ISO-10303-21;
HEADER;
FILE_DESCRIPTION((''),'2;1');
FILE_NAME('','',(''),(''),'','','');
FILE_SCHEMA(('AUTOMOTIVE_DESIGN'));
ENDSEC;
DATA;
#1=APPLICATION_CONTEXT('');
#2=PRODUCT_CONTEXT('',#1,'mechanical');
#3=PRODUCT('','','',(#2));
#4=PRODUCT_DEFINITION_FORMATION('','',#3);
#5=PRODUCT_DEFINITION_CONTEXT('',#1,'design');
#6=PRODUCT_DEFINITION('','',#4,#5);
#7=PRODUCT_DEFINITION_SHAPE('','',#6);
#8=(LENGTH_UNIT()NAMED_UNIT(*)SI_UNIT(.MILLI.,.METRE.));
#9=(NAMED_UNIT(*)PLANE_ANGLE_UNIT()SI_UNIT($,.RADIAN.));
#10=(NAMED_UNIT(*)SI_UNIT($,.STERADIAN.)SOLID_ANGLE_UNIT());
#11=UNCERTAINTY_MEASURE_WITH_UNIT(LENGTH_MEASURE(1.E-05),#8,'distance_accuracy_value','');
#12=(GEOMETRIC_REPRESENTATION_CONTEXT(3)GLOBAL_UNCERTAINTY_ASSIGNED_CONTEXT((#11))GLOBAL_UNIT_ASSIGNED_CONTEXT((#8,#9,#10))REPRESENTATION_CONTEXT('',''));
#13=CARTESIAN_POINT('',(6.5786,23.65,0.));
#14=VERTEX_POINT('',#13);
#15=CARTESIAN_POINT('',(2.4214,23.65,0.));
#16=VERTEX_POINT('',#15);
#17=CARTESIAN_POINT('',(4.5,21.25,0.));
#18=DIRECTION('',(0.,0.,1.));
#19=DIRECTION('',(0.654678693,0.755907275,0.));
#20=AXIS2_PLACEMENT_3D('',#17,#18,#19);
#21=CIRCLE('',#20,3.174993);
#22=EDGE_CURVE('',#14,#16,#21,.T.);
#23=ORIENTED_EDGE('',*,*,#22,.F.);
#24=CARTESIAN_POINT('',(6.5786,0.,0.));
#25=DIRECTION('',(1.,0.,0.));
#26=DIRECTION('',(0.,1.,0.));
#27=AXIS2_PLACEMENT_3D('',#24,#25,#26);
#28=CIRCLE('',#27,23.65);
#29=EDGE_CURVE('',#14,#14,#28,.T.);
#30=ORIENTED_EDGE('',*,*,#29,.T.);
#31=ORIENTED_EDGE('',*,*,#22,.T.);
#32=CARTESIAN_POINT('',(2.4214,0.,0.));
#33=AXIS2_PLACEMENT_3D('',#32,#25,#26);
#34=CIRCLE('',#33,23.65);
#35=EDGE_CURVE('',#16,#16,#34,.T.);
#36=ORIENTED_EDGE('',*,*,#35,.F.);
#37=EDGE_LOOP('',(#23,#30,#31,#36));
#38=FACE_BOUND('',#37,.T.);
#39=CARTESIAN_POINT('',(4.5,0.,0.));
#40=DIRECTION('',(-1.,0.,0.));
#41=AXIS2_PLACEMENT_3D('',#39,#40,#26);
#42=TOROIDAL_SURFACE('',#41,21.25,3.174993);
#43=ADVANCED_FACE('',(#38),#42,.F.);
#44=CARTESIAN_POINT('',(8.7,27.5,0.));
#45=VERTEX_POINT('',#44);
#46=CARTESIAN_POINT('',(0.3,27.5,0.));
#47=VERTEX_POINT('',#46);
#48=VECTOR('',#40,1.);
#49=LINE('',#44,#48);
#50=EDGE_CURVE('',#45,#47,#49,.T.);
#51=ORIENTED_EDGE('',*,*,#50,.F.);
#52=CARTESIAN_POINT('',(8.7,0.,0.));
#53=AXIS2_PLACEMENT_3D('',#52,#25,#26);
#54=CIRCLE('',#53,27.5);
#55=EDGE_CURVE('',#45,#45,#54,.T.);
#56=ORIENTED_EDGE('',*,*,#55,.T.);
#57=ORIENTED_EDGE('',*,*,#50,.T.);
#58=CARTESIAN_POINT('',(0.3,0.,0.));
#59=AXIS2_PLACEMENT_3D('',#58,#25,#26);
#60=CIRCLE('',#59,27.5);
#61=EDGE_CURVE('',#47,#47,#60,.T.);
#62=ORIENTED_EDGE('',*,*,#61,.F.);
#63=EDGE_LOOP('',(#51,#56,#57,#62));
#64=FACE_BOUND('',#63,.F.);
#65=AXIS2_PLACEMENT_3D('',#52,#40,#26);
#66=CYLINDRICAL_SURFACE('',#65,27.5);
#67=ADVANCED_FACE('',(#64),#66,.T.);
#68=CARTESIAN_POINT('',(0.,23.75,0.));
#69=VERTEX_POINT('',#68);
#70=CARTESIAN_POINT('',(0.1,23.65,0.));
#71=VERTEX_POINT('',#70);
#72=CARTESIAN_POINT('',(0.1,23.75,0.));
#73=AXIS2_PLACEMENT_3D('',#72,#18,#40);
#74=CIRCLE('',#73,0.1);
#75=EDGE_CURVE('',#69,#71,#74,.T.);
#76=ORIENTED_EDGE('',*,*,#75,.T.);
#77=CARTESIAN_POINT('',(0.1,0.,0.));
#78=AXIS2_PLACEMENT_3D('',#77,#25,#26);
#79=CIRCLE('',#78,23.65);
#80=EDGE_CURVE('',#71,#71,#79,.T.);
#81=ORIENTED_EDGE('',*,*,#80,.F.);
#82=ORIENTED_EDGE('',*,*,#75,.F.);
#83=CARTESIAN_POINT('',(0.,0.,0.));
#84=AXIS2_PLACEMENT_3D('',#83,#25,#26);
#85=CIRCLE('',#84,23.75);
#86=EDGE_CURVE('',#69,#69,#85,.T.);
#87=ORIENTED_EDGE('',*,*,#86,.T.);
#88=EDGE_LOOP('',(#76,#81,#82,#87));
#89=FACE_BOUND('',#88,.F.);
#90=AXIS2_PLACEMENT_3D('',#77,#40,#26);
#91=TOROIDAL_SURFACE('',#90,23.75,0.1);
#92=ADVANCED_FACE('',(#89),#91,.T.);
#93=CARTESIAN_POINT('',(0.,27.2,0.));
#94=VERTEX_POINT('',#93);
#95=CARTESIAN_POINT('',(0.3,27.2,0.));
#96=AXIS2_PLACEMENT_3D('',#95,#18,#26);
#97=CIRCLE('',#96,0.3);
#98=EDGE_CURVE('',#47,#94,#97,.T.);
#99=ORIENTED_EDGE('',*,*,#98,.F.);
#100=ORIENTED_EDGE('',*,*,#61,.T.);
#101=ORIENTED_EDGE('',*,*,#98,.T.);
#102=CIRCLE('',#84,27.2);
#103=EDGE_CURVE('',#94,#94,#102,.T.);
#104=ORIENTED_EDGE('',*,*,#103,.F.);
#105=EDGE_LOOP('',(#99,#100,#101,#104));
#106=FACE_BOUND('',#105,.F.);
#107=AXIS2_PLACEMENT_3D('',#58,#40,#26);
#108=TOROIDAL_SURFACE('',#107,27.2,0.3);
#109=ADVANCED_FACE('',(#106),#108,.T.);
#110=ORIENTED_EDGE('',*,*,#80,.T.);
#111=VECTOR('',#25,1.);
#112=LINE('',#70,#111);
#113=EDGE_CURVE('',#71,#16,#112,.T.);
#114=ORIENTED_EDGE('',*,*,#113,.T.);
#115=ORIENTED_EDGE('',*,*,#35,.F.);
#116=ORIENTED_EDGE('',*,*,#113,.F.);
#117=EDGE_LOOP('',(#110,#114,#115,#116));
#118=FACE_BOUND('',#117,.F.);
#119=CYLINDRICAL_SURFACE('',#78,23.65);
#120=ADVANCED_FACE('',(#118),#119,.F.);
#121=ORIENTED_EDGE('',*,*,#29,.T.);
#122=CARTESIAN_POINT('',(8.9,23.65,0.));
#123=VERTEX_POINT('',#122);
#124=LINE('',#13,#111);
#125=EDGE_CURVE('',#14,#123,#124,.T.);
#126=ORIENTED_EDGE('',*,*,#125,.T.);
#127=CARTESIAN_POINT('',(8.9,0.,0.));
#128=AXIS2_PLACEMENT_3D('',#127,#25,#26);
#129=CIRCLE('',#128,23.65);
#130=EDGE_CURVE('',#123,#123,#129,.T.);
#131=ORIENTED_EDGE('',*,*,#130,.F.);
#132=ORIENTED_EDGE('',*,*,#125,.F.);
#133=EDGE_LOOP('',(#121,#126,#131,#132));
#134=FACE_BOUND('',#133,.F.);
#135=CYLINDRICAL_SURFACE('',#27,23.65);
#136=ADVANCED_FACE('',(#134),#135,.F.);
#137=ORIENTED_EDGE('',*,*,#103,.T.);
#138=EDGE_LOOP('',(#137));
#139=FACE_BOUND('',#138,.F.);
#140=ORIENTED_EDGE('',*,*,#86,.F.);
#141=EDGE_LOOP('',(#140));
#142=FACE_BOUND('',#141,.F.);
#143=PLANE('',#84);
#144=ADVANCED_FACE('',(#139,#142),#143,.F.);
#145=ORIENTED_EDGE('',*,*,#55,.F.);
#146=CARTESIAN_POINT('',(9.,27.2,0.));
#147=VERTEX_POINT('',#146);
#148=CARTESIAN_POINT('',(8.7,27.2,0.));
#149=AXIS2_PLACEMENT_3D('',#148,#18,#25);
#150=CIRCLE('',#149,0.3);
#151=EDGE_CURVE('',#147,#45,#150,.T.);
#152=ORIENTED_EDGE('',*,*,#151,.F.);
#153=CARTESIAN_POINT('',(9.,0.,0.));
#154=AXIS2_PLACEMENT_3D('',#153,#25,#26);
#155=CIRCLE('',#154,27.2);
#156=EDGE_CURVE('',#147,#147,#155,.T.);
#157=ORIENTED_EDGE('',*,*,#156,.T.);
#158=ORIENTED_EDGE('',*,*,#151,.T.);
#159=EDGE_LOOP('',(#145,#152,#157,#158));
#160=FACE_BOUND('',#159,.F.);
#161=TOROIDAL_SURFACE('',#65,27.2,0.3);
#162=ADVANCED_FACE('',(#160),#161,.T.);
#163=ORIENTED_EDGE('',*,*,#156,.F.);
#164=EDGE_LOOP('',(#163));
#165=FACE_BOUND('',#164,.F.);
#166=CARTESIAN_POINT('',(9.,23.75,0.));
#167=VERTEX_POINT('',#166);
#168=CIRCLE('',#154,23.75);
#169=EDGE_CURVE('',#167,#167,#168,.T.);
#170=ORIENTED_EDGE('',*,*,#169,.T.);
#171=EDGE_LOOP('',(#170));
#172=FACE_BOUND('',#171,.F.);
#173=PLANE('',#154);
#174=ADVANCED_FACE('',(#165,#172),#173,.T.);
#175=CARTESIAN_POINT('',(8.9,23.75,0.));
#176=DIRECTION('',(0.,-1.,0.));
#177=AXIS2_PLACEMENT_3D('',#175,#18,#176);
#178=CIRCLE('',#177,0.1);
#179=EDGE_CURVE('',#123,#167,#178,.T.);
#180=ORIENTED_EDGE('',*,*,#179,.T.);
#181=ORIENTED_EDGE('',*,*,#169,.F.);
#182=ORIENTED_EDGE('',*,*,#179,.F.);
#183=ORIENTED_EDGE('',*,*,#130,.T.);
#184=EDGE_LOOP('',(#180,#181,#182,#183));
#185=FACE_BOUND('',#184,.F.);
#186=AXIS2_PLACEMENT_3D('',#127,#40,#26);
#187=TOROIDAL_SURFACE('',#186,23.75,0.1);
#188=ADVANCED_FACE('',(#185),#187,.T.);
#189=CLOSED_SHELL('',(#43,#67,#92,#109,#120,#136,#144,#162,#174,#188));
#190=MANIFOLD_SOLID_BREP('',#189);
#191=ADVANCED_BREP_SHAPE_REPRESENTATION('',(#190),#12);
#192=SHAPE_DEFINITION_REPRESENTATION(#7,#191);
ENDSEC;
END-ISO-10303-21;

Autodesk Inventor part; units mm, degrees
ref_plane "YZ Plane" through (0, 0, 0) normal (1, 0, 0) x (0, 1, 0)
ref_plane "XZ Plane" through (0, 0, 0) normal (0, 1, 0) x (-1, 0, 0)
ref_plane "XY Plane" through (0, 0, 0) normal (0, 0, 1) x (1, 0, 0)
sketch "Sketch_1" plane through (0, 0, 0) normal (0, 0, 1) x (1, 0, 0)
  line L0 (50, 0) -> (-50, 0)
  line L1 (0, 27.2) -> (0, 23.75)
  arc A0 (0, 23.75) -> (0.1, 23.65) centre (0.1, 23.75) ccw
  line L2 (0.1, 23.65) -> (2.4214, 23.65)
  arc A1 (6.5786, 23.65) -> (2.4214, 23.65) centre (4.5, 21.25) ccw
  line L3 (6.5786, 23.65) -> (8.9, 23.65)
  arc A2 (8.9, 23.65) -> (9, 23.75) centre (8.9, 23.75) ccw
  line L4 (9, 23.75) -> (9, 27.2)
  arc A3 (9, 27.2) -> (8.7, 27.5) centre (8.7, 27.2) ccw
  line L5 (8.7, 27.5) -> (0.3, 27.5)
  arc A4 (0.3, 27.5) -> (0, 27.2) centre (0.3, 27.2) ccw
revolve "Revolution1" add sketch "Sketch_1" angle 360 about axis through (50, 0, 0) along (1, 0, 0)
properties part number "16006_PART2"
